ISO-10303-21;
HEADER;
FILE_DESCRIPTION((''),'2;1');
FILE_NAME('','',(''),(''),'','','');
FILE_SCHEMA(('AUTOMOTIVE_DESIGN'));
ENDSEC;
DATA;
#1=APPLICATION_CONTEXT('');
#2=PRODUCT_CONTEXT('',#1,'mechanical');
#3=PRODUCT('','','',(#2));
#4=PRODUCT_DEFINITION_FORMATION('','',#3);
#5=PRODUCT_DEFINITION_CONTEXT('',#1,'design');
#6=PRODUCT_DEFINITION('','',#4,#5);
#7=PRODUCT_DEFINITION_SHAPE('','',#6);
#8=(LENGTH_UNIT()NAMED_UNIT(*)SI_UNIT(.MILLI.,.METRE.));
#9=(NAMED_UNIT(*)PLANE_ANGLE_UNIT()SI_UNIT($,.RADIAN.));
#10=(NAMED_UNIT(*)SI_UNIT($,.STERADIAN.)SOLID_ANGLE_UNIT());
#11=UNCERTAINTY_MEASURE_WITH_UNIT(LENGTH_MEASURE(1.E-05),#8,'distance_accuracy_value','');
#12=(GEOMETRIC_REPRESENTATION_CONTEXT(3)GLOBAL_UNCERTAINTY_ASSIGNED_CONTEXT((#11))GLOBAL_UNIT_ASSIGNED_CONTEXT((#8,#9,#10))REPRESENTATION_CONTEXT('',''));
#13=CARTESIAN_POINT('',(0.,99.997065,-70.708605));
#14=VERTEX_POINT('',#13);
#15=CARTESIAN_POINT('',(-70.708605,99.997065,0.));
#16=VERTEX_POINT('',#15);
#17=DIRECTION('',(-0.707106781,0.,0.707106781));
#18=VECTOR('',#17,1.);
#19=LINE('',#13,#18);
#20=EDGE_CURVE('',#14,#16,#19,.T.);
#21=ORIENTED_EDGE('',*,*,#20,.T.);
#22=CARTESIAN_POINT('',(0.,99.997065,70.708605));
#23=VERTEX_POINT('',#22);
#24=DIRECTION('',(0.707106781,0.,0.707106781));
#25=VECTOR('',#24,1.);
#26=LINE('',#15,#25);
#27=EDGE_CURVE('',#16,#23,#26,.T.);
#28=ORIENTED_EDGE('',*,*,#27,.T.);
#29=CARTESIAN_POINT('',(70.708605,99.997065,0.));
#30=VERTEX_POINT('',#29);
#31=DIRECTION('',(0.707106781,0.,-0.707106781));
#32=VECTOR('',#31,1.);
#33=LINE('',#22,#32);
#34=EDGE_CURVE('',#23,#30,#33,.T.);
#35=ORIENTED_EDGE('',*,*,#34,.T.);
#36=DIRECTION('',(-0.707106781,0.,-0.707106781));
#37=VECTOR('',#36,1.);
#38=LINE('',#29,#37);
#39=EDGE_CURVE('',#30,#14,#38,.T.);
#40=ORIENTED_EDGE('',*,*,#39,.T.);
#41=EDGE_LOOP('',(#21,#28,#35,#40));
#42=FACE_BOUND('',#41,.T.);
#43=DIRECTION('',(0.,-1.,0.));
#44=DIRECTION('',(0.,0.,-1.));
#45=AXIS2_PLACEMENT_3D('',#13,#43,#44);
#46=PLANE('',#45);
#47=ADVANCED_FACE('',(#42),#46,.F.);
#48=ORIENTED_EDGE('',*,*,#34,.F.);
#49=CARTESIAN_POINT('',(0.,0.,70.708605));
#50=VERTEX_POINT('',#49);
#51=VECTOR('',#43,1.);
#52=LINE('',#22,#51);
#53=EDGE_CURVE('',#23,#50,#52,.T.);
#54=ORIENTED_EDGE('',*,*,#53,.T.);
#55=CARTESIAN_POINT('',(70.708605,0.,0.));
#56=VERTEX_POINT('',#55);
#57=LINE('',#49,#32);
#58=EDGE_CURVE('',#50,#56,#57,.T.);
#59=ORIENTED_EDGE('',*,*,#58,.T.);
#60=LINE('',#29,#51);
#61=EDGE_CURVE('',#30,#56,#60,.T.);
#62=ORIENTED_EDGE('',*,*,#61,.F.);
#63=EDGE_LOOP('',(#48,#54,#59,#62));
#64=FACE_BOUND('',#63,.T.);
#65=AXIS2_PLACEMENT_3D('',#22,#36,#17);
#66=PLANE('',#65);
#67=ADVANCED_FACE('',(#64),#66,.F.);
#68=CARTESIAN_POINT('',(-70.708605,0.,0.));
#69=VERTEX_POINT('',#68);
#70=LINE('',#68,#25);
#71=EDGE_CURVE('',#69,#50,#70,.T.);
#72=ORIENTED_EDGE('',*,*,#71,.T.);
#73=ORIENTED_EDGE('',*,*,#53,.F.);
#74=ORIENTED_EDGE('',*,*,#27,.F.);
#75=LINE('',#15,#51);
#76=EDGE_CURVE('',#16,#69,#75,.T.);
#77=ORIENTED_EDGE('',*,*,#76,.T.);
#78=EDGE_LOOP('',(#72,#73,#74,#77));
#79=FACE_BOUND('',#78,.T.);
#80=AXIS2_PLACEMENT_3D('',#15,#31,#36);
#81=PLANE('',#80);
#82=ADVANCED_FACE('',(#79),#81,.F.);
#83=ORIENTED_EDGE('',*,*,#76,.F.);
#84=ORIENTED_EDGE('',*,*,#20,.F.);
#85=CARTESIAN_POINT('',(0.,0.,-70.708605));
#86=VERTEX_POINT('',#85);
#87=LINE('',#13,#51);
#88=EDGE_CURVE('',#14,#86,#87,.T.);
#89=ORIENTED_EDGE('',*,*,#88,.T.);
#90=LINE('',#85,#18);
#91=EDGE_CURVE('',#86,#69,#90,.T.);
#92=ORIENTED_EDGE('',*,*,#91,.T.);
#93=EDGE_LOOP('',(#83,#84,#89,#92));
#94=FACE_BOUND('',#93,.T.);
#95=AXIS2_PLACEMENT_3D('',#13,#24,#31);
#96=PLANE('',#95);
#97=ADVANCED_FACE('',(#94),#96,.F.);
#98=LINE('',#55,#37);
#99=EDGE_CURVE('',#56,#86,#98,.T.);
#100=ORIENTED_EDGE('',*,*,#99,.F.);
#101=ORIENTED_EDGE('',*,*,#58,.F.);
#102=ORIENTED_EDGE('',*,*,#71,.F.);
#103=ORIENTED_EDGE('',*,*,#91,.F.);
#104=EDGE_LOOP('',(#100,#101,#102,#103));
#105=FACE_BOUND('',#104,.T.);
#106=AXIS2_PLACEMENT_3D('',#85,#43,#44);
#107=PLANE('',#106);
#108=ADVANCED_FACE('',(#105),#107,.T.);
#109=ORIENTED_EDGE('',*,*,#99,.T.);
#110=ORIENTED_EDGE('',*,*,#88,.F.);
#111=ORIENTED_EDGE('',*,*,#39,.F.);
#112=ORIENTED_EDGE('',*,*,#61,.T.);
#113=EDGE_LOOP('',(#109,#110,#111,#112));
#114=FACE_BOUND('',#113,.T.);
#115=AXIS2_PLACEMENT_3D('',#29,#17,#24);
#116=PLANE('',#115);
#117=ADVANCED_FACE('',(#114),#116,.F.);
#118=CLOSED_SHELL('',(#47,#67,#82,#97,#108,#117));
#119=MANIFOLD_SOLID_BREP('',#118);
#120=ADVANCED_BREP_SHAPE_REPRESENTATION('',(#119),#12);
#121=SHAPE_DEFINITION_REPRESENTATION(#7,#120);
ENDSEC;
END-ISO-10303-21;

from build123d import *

# Parameters (mm, degrees)
EXTRUDE2_DEPTH = 99.997065


with BuildPart() as part:
    # Sketch2 → Extrude2 (new body)
    with BuildSketch(Plane(origin=(0, 0, 0), x_dir=(1, 0, 0), z_dir=(0, 1, 0))):
        Polygon((-70.708604504, 0), (0, -70.708604504), (70.708604504, 0), (0, 70.708604504), align=None)
    extrude(amount=EXTRUDE2_DEPTH)


solid = part.part
